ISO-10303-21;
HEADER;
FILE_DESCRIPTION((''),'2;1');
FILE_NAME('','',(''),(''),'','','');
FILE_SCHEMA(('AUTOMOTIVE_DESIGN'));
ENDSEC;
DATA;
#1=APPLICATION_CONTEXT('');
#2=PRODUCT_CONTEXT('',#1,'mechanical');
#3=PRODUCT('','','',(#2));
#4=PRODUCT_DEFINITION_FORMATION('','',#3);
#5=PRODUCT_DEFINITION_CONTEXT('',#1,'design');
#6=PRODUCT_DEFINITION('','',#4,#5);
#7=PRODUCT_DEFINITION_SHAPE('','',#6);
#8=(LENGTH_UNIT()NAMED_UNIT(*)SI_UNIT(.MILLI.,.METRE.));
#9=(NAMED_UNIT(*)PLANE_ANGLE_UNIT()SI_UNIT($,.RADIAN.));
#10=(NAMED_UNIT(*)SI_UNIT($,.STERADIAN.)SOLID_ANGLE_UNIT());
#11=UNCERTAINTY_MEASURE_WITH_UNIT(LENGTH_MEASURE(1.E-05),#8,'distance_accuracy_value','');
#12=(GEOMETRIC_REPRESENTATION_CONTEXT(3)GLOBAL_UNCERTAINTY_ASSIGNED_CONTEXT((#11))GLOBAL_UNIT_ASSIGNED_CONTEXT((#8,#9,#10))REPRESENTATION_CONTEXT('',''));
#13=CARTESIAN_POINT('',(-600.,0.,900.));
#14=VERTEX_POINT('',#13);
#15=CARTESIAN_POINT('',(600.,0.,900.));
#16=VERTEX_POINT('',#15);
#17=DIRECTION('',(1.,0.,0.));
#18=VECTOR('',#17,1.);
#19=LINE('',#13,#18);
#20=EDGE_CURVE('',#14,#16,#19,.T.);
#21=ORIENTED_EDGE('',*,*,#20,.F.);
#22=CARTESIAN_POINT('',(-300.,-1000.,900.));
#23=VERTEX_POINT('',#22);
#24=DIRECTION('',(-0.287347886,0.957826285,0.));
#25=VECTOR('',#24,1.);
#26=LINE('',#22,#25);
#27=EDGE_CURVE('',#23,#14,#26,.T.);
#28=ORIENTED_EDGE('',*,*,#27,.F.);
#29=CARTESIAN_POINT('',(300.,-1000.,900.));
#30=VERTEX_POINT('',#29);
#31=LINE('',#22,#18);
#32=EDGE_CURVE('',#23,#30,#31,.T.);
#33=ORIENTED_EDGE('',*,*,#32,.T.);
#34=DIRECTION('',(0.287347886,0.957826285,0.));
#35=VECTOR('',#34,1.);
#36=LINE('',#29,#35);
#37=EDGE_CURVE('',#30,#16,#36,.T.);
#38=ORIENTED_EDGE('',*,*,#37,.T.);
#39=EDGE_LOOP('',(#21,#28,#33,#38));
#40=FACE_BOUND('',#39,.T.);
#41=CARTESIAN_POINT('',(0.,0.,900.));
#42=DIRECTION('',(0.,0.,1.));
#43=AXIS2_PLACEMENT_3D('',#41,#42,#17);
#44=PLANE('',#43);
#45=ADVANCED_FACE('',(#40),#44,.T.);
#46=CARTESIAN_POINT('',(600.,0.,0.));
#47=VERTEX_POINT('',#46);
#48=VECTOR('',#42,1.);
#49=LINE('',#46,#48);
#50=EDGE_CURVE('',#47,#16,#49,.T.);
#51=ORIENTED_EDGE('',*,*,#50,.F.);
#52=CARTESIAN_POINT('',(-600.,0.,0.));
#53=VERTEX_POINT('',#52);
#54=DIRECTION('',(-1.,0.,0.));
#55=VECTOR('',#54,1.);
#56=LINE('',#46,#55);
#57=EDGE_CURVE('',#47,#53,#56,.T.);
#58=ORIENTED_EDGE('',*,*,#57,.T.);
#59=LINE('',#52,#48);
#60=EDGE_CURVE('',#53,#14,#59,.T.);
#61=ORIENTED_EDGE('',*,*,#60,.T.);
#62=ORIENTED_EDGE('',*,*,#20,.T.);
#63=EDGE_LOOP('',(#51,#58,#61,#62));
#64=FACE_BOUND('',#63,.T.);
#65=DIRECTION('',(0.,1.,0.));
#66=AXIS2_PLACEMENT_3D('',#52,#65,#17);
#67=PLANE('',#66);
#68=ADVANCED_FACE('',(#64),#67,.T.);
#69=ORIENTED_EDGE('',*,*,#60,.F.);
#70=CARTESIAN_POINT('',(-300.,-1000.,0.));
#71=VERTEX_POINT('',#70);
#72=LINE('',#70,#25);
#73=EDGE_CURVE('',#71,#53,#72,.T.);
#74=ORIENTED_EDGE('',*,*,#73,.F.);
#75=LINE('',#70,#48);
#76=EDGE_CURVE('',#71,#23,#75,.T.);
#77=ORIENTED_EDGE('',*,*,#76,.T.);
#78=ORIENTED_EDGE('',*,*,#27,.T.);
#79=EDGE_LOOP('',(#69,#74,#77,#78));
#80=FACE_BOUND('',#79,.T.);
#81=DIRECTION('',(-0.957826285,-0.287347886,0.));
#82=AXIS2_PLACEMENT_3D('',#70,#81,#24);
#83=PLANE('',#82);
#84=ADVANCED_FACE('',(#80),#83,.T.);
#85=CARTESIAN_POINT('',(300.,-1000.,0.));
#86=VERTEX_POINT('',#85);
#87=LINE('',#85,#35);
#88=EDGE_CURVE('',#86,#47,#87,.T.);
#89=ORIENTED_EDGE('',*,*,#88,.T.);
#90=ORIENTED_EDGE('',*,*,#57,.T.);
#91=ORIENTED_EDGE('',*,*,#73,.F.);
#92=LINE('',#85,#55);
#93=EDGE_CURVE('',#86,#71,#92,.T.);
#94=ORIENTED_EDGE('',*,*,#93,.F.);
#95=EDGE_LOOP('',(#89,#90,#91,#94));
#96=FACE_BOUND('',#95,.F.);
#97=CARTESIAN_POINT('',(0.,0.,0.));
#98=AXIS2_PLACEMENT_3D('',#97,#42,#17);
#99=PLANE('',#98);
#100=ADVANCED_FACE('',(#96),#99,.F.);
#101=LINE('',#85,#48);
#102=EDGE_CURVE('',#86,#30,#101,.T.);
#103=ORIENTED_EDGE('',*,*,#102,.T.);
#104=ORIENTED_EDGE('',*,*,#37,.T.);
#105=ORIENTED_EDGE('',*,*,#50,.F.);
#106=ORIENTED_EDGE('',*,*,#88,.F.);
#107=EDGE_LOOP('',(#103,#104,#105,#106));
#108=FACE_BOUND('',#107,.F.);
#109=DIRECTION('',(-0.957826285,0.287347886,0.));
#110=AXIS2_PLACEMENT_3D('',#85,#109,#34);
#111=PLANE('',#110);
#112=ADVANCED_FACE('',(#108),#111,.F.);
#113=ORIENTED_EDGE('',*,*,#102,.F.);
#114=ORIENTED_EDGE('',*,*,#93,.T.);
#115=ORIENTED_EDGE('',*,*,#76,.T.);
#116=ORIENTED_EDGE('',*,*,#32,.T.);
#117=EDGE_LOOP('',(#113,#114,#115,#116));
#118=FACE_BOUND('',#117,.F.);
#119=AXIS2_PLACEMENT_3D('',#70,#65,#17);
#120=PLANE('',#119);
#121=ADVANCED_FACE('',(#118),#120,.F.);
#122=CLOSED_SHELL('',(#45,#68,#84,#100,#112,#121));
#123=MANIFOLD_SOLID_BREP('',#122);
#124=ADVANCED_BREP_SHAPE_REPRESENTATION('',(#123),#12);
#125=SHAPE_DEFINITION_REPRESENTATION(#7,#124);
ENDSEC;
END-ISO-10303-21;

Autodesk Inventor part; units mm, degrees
ref_plane "YZ Plane" through (0, 0, 0) normal (1, 0, 0) x (0, 1, 0)
ref_plane "XZ Plane" through (0, 0, 0) normal (0, 1, 0) x (-1, 0, 0)
ref_plane "XY Plane" through (0, 0, 0) normal (0, 0, 1) x (1, 0, 0)
sketch "Sketch1" plane through (0, 0, 0) normal (0, 0, 1) x (1, 0, 0)
  line L0 (-600, 0) -> (-595, 0)
  line L1 (-300, -1000) -> (-600, 0)
  line L2 (-300, -1000) -> (-295, -1000)
  line L3 (-295, -1000) -> (0, -1000)
  line L4 (-295, -995) -> (-295, -995.4434)
  line L5 (-595, 0) -> (-295, -995)
  line L6 (-295, -995) -> (0, -995)
  line L7 (0, -455.1044) -> (0, -112.5213) construction
  line L8 (600, 0) -> (595, 0)
  line L9 (300, -1000) -> (600, 0)
  line L10 (295, -1000) -> (0, -1000)
  line L11 (595, 0) -> (295, -995)
  line L12 (295, -995) -> (0, -995)
  line L13 (300, -1000) -> (295, -1000)
  point P0 (0, 0)
  dimension "d0" = 5
  dimension "d1" = 5
  dimension "d2" = 295
extrude "Extrusion1" add sketch "Sketch1" along normal blind 900
sketch "Sketch2" plane through (0, 0, 900) normal (0, 0, 1) x (1, 0, 0)
  line L0 (-295, -995) -> (-595, 0) projected
  line L1 (-595, 0) -> (-295, -995)
  line L2 (-295, -995) -> (295, -995)
  line L3 (595, 0) -> (295, -995) projected
  line L4 (295, -995) -> (595, 0)
  line L5 (595, 0) -> (-595, 0)
  point P0 (0, 0)
extrude "Extrusion2" add sketch "Sketch2" against normal blind 900
properties part number "Trap"
